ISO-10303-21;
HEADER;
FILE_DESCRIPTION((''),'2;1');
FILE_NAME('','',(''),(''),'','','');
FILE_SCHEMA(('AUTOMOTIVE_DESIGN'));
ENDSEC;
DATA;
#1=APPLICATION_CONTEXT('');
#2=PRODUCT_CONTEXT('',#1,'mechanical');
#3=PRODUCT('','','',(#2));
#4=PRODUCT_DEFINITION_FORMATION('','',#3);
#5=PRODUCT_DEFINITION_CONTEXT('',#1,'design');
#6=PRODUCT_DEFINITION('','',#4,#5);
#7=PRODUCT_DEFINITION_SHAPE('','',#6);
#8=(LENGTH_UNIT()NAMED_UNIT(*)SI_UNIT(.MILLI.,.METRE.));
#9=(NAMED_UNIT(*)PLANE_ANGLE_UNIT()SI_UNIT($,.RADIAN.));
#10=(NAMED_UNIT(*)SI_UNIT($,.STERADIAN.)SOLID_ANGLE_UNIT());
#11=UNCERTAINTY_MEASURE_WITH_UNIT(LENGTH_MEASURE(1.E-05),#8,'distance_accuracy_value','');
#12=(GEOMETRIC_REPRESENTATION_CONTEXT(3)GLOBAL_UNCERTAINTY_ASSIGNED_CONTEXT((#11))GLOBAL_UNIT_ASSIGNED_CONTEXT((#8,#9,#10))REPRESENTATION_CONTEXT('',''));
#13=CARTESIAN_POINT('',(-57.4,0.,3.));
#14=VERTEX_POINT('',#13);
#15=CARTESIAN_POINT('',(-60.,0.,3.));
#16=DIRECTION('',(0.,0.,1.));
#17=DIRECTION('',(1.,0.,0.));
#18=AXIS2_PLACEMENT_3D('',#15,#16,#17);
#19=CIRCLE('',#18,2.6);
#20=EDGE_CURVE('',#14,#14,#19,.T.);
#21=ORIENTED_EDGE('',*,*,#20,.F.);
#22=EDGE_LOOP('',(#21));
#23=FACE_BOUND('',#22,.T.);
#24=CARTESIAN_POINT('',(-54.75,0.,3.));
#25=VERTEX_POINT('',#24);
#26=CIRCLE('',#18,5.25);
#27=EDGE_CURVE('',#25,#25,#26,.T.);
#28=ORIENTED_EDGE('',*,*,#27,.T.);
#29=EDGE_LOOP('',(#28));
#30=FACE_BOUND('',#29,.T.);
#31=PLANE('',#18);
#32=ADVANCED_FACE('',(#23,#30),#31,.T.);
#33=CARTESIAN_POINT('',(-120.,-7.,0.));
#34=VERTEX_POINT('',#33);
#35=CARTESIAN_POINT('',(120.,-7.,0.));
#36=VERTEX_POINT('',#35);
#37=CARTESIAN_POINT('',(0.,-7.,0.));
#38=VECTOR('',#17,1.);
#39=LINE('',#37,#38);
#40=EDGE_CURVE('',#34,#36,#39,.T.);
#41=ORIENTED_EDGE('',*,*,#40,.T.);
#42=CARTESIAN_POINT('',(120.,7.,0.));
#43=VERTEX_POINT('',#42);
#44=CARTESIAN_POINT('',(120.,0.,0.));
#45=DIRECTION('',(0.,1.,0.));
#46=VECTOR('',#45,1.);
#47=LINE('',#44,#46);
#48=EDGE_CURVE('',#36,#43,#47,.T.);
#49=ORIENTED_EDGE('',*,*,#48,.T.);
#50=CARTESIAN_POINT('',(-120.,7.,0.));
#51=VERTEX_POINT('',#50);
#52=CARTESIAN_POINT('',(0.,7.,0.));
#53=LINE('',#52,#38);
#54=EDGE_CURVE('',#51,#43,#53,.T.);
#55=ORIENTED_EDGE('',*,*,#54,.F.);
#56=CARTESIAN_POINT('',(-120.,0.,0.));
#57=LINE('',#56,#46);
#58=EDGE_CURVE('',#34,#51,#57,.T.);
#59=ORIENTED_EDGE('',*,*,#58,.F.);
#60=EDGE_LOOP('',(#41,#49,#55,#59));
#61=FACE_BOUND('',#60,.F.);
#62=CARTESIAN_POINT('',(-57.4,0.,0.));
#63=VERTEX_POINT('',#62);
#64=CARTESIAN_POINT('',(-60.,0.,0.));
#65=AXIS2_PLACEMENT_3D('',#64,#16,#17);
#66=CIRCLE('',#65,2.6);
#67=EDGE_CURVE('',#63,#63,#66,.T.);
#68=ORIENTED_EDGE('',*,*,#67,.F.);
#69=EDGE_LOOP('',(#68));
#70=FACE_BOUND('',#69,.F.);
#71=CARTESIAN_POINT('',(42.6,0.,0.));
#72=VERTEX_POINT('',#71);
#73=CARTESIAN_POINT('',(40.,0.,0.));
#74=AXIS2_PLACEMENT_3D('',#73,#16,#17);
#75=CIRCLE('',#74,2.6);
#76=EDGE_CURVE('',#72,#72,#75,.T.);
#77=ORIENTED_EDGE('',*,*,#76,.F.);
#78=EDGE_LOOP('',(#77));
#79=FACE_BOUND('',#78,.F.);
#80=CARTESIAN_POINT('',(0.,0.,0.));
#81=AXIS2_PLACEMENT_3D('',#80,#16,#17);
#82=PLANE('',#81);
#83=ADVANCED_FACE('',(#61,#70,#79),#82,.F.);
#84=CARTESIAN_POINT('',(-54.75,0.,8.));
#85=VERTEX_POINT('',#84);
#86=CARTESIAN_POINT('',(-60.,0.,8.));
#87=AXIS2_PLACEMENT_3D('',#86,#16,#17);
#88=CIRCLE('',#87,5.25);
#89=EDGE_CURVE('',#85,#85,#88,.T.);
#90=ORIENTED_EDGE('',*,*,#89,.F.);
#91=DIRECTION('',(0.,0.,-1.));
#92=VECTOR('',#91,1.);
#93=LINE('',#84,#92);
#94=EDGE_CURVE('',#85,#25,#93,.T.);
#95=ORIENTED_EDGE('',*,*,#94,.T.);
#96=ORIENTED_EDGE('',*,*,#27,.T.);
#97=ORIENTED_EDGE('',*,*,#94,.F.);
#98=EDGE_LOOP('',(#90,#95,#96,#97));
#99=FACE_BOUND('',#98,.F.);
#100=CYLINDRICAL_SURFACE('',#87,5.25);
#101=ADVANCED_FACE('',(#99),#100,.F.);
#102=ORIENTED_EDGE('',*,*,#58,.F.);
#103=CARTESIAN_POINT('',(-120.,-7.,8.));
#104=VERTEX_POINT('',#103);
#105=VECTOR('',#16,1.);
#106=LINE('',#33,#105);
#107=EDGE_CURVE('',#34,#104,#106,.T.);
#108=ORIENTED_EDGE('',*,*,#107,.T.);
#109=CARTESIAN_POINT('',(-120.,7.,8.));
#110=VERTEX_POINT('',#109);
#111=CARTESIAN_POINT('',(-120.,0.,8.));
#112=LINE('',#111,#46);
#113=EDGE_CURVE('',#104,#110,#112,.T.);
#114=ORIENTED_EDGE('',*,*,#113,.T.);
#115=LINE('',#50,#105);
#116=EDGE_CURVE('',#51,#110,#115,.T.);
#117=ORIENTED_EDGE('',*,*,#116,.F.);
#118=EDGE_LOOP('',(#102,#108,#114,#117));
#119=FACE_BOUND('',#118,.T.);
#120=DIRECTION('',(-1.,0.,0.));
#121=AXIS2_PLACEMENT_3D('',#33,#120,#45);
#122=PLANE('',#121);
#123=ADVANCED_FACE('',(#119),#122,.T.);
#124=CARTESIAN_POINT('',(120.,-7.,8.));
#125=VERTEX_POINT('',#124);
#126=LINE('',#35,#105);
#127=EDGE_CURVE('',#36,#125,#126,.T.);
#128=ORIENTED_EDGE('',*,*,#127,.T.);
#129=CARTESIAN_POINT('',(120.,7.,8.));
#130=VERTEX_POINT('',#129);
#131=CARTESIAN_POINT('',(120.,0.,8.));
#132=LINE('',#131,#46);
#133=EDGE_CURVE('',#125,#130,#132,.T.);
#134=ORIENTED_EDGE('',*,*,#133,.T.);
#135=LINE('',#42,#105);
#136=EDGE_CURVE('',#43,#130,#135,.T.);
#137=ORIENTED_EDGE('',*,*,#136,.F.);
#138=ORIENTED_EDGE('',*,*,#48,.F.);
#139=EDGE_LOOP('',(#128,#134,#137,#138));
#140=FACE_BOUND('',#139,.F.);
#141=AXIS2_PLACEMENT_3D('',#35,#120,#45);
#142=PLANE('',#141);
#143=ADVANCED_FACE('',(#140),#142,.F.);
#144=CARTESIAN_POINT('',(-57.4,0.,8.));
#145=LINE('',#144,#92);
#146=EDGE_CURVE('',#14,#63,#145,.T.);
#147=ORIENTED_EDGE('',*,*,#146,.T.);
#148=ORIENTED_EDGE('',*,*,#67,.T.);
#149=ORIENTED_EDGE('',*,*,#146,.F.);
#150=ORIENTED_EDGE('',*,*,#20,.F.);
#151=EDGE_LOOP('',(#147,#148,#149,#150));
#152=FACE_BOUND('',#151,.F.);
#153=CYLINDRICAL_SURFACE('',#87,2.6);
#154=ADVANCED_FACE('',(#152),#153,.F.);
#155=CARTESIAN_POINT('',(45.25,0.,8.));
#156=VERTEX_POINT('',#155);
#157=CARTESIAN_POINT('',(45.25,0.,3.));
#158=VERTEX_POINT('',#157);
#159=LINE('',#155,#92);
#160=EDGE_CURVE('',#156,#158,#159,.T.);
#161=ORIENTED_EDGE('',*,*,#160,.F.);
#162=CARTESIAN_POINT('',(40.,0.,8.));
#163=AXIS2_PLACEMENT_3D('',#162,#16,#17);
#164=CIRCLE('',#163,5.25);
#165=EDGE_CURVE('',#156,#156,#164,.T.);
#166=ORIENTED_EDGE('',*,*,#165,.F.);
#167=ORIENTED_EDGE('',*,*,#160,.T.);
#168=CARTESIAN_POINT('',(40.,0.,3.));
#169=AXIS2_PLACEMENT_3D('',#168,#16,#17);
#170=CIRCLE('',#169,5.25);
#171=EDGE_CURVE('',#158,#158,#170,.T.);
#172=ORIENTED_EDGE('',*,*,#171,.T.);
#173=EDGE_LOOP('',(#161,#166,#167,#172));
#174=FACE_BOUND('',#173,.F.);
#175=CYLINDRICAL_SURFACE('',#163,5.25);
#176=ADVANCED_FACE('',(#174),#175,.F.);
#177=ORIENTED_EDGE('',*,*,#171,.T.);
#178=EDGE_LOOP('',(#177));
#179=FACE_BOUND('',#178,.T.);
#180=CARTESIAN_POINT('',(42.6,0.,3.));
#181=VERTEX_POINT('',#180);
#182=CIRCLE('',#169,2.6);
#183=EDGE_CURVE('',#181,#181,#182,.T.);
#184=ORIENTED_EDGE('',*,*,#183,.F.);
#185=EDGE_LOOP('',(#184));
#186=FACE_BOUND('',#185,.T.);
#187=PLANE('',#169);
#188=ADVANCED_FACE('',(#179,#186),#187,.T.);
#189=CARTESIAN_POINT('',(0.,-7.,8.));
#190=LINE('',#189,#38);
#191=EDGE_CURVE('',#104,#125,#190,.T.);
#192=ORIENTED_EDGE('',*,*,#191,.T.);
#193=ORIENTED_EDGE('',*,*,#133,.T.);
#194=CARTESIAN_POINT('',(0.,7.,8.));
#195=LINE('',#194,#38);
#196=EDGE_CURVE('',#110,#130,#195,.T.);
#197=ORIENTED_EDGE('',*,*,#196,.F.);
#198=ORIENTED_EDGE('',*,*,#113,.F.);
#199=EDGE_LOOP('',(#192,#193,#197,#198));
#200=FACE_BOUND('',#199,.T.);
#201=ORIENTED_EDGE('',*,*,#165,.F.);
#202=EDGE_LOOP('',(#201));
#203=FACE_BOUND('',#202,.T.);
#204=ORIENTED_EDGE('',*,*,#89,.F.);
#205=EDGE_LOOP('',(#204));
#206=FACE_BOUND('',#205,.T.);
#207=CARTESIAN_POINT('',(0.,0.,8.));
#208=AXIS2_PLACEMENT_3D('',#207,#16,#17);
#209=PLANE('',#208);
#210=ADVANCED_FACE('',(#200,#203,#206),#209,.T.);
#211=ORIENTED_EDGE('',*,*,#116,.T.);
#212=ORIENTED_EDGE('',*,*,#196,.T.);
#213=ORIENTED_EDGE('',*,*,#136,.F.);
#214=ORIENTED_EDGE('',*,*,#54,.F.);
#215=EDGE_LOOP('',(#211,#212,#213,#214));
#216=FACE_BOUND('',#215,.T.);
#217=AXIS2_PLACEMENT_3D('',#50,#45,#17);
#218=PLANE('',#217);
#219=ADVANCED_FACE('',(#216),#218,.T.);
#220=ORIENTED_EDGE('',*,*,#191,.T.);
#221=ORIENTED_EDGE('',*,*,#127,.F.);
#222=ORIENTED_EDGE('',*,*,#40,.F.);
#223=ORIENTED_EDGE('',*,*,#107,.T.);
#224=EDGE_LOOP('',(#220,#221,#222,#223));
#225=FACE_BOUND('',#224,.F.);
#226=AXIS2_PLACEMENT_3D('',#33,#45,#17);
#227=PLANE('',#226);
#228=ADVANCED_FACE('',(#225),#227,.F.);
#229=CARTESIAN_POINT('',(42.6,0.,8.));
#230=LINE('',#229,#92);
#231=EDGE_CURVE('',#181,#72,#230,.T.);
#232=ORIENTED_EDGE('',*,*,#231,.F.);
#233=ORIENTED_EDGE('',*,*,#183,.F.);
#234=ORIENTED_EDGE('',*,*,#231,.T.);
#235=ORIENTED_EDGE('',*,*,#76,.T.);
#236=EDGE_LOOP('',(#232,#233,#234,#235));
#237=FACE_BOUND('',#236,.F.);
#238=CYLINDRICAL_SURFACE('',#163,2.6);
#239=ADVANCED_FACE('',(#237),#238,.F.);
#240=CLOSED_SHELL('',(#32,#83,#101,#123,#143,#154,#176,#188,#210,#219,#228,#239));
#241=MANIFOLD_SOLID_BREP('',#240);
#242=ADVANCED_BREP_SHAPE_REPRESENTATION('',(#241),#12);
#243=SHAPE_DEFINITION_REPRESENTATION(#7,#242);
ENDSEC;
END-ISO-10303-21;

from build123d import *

# Parameters (mm, degrees)
F0_W     = 240
F0_H     = 14
F1_DEPTH = 8
F2_R     = 2.6
F3_DEPTH = 8.001
F2_R_2   = 5.25
F4_DEPTH = 5


with BuildPart() as f1:
    # F0 (on Top) → F1 (new body)
    with BuildSketch(Plane.XY):
        Rectangle(F0_W, F0_H)
    extrude(amount=F1_DEPTH)

    # F2 (on face) → F3 (cut, through all)
    with BuildSketch(Plane.XY.offset(8)):
        with Locations((-60, 0)):
            Circle(F2_R)
        with Locations((40, 0)):
            Circle(F2_R)
    extrude(amount=-F3_DEPTH, mode=Mode.SUBTRACT)

    # F2 (on face) → F4 (cut)
    with BuildSketch(Plane.XY.offset(8)):
        with Locations((-60, 0)):
            Circle(F2_R_2)
        with Locations((-60, 0)):
            Circle(F2_R, mode=Mode.SUBTRACT)
        with Locations((40, 0)):
            Circle(F2_R_2)
        with Locations((40, 0)):
            Circle(F2_R, mode=Mode.SUBTRACT)
    extrude(amount=-F4_DEPTH, mode=Mode.SUBTRACT)


solid = f1.part
